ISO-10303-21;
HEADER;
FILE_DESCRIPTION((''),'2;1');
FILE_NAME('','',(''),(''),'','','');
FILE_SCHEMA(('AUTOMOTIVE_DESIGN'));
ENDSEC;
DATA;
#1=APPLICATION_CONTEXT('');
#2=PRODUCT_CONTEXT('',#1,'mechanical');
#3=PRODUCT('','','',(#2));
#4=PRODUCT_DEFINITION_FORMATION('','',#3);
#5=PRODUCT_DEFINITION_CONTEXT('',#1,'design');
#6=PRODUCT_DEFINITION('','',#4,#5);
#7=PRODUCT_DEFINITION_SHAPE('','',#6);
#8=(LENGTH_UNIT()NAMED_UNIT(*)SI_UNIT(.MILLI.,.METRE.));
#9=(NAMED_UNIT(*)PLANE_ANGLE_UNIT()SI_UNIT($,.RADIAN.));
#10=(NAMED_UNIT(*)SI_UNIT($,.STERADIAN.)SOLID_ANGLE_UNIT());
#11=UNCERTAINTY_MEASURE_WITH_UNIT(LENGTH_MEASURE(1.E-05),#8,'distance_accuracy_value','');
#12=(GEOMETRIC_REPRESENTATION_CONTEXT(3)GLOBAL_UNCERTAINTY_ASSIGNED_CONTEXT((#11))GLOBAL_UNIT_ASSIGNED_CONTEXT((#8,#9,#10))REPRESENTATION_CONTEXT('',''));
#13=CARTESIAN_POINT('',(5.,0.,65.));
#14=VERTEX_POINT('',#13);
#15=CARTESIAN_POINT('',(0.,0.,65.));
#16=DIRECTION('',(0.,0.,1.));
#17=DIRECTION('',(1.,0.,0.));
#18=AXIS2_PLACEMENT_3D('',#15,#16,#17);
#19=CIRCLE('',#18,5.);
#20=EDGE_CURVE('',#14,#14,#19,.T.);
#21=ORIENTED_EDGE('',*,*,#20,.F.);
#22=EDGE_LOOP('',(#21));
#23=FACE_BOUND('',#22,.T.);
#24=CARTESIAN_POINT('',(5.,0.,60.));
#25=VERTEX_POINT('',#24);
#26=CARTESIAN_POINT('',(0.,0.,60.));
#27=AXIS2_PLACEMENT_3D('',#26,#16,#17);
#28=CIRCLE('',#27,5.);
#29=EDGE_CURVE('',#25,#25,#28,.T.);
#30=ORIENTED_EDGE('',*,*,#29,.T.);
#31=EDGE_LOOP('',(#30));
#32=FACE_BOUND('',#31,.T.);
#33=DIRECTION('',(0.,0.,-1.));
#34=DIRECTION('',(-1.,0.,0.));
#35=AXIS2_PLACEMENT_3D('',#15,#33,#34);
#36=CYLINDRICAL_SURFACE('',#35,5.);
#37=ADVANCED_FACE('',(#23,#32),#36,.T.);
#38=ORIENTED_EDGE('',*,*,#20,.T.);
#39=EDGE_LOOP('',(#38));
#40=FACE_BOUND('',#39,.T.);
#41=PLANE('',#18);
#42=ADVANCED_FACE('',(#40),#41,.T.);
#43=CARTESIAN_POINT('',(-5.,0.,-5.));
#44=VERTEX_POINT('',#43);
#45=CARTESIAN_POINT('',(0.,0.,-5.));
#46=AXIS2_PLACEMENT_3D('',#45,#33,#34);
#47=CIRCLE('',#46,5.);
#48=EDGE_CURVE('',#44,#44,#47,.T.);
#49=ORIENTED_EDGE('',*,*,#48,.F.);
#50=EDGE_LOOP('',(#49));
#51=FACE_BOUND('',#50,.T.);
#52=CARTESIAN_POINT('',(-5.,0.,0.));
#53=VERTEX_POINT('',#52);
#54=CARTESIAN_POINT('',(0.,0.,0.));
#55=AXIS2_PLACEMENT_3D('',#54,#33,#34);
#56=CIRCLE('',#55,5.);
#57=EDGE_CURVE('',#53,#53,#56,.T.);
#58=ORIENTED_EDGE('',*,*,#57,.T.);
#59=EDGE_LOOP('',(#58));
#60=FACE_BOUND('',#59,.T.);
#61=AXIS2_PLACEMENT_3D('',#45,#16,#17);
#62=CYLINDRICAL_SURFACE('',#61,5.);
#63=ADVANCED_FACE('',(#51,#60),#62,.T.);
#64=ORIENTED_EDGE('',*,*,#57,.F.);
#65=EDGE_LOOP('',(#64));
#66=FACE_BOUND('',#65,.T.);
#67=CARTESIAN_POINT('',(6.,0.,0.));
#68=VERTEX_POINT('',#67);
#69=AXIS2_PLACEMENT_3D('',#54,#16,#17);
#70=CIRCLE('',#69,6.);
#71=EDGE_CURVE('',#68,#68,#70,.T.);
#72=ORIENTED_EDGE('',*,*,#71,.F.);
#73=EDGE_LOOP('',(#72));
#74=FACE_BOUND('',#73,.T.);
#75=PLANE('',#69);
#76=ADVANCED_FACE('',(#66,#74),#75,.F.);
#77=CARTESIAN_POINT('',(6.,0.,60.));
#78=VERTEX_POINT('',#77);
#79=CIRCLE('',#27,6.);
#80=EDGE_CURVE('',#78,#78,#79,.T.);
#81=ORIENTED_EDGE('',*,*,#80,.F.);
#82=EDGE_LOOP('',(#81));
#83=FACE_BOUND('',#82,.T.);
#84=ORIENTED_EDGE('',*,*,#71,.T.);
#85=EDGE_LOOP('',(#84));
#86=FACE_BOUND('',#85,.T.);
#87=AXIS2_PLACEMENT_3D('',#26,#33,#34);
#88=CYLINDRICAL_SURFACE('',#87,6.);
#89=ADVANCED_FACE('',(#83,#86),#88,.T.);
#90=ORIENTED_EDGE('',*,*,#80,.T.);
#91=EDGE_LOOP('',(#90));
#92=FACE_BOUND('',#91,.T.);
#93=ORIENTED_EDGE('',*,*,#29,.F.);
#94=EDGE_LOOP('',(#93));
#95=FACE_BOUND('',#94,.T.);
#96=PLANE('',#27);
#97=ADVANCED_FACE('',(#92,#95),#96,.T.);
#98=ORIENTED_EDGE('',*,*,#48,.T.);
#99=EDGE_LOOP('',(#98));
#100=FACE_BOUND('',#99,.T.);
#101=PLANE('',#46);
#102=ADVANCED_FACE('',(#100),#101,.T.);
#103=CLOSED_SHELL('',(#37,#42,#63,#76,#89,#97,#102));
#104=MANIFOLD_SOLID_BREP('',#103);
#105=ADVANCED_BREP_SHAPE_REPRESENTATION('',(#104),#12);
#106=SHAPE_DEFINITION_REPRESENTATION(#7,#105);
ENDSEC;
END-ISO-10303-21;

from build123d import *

# Parameters (mm, degrees)
SKETCH1_R           = 6
BOSS_EXTRUDE1_DEPTH = 60
SKETCH2_R           = 5
BOSS_EXTRUDE2_DEPTH = 5
SKETCH3_R           = 5
BOSS_EXTRUDE3_DEPTH = 5


with BuildPart() as part:
    # Sketch1 → Boss-Extrude1 (new body)
    with BuildSketch(Plane.XY):
        Circle(SKETCH1_R)
    extrude(amount=BOSS_EXTRUDE1_DEPTH)

    # Sketch2 → Boss-Extrude2 (add)
    with BuildSketch(Plane.XY.offset(60)):
        Circle(SKETCH2_R)
    extrude(amount=BOSS_EXTRUDE2_DEPTH)

    # Sketch3 → Boss-Extrude3 (add)
    with BuildSketch(Plane(origin=(0, 0, 0), x_dir=(-1, 0, 0), z_dir=(0, 0, -1))):
        Circle(SKETCH3_R)
    extrude(amount=BOSS_EXTRUDE3_DEPTH)


solid = part.part
